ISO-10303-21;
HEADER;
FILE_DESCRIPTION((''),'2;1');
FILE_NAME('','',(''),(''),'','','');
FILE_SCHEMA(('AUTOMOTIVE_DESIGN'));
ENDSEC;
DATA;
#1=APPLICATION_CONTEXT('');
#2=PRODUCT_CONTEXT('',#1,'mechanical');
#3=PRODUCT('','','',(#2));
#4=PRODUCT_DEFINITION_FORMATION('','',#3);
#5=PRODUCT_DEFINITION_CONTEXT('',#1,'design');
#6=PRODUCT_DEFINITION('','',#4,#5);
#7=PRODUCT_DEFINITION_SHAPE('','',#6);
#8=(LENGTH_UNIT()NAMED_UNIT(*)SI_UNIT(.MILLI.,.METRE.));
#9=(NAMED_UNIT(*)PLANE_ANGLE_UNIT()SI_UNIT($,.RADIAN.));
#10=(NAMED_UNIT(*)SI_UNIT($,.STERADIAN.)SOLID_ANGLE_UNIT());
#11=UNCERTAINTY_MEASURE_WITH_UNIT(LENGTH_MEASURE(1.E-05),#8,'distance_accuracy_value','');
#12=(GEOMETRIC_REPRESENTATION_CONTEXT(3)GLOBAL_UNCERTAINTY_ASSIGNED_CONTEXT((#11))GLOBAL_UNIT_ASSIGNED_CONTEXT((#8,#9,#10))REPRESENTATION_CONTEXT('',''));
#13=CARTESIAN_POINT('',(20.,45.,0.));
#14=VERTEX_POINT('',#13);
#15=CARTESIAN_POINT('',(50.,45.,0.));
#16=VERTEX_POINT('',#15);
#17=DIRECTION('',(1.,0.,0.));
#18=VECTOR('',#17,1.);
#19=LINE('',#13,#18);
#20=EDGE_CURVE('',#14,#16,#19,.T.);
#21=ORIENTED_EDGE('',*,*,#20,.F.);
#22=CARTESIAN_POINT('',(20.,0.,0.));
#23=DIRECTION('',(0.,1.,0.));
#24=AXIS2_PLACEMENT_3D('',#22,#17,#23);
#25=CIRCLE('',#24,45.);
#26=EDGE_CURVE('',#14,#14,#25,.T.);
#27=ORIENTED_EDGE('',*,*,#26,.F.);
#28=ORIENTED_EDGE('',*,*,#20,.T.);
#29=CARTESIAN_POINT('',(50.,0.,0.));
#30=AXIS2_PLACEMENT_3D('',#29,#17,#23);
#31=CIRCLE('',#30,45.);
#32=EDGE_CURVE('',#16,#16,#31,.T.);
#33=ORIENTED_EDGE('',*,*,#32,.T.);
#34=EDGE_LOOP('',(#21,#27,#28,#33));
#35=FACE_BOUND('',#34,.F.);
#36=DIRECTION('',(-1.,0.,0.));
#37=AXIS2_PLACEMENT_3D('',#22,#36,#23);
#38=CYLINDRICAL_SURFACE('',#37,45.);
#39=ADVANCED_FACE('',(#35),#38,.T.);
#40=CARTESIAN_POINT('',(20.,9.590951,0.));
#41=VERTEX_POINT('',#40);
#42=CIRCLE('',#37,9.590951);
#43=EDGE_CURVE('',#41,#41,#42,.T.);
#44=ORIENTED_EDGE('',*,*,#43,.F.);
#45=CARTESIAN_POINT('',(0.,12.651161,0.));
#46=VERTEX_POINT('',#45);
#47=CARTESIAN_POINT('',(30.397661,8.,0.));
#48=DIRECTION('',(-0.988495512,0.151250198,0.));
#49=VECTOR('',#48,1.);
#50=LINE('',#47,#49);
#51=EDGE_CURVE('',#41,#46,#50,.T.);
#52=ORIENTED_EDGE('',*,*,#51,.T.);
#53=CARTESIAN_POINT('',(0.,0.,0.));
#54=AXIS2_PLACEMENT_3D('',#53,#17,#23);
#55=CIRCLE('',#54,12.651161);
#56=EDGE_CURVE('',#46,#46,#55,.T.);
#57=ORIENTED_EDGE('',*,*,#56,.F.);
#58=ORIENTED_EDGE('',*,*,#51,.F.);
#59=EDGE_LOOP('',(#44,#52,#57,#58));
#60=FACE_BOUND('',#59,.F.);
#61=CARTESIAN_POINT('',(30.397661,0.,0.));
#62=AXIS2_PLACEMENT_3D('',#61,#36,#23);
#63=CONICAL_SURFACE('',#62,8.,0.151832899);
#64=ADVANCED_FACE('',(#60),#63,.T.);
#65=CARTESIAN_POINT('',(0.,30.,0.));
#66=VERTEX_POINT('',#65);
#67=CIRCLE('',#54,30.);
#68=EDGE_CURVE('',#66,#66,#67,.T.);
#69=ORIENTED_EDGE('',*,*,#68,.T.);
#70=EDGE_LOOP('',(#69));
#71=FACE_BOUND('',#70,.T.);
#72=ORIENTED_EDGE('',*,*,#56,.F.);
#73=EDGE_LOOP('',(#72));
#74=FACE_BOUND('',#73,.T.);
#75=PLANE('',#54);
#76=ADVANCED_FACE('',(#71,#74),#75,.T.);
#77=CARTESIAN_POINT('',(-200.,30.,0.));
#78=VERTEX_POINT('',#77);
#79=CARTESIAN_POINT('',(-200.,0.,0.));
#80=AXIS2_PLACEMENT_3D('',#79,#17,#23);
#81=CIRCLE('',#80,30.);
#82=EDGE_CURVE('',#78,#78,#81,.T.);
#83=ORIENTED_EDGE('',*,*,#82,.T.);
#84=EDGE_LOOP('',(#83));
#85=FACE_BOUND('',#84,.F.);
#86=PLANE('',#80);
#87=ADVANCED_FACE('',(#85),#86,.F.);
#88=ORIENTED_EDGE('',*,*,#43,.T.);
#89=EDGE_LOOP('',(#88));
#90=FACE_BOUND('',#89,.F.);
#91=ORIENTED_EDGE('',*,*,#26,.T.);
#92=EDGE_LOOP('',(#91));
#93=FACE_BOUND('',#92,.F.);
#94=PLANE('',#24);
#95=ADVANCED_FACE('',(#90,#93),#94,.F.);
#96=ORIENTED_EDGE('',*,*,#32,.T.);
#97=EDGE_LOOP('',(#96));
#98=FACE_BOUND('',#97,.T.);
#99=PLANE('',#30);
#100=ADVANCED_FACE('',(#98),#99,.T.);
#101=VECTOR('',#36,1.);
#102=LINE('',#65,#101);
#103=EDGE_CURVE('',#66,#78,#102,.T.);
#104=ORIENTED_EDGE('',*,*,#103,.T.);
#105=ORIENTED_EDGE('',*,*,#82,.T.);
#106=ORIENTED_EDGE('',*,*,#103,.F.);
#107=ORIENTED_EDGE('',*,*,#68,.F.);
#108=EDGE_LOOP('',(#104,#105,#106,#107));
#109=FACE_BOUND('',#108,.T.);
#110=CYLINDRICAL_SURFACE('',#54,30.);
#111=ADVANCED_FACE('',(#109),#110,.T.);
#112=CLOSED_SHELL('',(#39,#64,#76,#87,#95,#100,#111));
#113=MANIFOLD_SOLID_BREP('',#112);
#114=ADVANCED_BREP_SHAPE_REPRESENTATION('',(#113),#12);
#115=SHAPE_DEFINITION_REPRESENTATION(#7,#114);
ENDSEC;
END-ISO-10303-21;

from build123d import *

# Parameters (mm, degrees)
F0_R     = 30
F1_DEPTH = 200
F5_START = 20
F4_R     = 45
F5_DEPTH = 30


with BuildPart() as f1:
    # F0 (on Right) → F1 (new body)
    with BuildSketch(Plane.YZ):
        Circle(F0_R)
    extrude(amount=-F1_DEPTH)

    # F2 (on Top) → F3 (revolve)
    with BuildSketch(Plane.XY):
        Polygon((0, 12.6511614473), (0, 0), (30.3976608496, 0), (30.3976608496, 8), align=None)
    revolve(axis=Axis((15.1988304248, 0, 0), (1, 0, 0)))

    # F4 (on Right) → F5 (join)
    with BuildSketch(Plane.YZ.offset(F5_START)):
        Circle(F4_R)
    extrude(amount=F5_DEPTH)


solid = f1.part
